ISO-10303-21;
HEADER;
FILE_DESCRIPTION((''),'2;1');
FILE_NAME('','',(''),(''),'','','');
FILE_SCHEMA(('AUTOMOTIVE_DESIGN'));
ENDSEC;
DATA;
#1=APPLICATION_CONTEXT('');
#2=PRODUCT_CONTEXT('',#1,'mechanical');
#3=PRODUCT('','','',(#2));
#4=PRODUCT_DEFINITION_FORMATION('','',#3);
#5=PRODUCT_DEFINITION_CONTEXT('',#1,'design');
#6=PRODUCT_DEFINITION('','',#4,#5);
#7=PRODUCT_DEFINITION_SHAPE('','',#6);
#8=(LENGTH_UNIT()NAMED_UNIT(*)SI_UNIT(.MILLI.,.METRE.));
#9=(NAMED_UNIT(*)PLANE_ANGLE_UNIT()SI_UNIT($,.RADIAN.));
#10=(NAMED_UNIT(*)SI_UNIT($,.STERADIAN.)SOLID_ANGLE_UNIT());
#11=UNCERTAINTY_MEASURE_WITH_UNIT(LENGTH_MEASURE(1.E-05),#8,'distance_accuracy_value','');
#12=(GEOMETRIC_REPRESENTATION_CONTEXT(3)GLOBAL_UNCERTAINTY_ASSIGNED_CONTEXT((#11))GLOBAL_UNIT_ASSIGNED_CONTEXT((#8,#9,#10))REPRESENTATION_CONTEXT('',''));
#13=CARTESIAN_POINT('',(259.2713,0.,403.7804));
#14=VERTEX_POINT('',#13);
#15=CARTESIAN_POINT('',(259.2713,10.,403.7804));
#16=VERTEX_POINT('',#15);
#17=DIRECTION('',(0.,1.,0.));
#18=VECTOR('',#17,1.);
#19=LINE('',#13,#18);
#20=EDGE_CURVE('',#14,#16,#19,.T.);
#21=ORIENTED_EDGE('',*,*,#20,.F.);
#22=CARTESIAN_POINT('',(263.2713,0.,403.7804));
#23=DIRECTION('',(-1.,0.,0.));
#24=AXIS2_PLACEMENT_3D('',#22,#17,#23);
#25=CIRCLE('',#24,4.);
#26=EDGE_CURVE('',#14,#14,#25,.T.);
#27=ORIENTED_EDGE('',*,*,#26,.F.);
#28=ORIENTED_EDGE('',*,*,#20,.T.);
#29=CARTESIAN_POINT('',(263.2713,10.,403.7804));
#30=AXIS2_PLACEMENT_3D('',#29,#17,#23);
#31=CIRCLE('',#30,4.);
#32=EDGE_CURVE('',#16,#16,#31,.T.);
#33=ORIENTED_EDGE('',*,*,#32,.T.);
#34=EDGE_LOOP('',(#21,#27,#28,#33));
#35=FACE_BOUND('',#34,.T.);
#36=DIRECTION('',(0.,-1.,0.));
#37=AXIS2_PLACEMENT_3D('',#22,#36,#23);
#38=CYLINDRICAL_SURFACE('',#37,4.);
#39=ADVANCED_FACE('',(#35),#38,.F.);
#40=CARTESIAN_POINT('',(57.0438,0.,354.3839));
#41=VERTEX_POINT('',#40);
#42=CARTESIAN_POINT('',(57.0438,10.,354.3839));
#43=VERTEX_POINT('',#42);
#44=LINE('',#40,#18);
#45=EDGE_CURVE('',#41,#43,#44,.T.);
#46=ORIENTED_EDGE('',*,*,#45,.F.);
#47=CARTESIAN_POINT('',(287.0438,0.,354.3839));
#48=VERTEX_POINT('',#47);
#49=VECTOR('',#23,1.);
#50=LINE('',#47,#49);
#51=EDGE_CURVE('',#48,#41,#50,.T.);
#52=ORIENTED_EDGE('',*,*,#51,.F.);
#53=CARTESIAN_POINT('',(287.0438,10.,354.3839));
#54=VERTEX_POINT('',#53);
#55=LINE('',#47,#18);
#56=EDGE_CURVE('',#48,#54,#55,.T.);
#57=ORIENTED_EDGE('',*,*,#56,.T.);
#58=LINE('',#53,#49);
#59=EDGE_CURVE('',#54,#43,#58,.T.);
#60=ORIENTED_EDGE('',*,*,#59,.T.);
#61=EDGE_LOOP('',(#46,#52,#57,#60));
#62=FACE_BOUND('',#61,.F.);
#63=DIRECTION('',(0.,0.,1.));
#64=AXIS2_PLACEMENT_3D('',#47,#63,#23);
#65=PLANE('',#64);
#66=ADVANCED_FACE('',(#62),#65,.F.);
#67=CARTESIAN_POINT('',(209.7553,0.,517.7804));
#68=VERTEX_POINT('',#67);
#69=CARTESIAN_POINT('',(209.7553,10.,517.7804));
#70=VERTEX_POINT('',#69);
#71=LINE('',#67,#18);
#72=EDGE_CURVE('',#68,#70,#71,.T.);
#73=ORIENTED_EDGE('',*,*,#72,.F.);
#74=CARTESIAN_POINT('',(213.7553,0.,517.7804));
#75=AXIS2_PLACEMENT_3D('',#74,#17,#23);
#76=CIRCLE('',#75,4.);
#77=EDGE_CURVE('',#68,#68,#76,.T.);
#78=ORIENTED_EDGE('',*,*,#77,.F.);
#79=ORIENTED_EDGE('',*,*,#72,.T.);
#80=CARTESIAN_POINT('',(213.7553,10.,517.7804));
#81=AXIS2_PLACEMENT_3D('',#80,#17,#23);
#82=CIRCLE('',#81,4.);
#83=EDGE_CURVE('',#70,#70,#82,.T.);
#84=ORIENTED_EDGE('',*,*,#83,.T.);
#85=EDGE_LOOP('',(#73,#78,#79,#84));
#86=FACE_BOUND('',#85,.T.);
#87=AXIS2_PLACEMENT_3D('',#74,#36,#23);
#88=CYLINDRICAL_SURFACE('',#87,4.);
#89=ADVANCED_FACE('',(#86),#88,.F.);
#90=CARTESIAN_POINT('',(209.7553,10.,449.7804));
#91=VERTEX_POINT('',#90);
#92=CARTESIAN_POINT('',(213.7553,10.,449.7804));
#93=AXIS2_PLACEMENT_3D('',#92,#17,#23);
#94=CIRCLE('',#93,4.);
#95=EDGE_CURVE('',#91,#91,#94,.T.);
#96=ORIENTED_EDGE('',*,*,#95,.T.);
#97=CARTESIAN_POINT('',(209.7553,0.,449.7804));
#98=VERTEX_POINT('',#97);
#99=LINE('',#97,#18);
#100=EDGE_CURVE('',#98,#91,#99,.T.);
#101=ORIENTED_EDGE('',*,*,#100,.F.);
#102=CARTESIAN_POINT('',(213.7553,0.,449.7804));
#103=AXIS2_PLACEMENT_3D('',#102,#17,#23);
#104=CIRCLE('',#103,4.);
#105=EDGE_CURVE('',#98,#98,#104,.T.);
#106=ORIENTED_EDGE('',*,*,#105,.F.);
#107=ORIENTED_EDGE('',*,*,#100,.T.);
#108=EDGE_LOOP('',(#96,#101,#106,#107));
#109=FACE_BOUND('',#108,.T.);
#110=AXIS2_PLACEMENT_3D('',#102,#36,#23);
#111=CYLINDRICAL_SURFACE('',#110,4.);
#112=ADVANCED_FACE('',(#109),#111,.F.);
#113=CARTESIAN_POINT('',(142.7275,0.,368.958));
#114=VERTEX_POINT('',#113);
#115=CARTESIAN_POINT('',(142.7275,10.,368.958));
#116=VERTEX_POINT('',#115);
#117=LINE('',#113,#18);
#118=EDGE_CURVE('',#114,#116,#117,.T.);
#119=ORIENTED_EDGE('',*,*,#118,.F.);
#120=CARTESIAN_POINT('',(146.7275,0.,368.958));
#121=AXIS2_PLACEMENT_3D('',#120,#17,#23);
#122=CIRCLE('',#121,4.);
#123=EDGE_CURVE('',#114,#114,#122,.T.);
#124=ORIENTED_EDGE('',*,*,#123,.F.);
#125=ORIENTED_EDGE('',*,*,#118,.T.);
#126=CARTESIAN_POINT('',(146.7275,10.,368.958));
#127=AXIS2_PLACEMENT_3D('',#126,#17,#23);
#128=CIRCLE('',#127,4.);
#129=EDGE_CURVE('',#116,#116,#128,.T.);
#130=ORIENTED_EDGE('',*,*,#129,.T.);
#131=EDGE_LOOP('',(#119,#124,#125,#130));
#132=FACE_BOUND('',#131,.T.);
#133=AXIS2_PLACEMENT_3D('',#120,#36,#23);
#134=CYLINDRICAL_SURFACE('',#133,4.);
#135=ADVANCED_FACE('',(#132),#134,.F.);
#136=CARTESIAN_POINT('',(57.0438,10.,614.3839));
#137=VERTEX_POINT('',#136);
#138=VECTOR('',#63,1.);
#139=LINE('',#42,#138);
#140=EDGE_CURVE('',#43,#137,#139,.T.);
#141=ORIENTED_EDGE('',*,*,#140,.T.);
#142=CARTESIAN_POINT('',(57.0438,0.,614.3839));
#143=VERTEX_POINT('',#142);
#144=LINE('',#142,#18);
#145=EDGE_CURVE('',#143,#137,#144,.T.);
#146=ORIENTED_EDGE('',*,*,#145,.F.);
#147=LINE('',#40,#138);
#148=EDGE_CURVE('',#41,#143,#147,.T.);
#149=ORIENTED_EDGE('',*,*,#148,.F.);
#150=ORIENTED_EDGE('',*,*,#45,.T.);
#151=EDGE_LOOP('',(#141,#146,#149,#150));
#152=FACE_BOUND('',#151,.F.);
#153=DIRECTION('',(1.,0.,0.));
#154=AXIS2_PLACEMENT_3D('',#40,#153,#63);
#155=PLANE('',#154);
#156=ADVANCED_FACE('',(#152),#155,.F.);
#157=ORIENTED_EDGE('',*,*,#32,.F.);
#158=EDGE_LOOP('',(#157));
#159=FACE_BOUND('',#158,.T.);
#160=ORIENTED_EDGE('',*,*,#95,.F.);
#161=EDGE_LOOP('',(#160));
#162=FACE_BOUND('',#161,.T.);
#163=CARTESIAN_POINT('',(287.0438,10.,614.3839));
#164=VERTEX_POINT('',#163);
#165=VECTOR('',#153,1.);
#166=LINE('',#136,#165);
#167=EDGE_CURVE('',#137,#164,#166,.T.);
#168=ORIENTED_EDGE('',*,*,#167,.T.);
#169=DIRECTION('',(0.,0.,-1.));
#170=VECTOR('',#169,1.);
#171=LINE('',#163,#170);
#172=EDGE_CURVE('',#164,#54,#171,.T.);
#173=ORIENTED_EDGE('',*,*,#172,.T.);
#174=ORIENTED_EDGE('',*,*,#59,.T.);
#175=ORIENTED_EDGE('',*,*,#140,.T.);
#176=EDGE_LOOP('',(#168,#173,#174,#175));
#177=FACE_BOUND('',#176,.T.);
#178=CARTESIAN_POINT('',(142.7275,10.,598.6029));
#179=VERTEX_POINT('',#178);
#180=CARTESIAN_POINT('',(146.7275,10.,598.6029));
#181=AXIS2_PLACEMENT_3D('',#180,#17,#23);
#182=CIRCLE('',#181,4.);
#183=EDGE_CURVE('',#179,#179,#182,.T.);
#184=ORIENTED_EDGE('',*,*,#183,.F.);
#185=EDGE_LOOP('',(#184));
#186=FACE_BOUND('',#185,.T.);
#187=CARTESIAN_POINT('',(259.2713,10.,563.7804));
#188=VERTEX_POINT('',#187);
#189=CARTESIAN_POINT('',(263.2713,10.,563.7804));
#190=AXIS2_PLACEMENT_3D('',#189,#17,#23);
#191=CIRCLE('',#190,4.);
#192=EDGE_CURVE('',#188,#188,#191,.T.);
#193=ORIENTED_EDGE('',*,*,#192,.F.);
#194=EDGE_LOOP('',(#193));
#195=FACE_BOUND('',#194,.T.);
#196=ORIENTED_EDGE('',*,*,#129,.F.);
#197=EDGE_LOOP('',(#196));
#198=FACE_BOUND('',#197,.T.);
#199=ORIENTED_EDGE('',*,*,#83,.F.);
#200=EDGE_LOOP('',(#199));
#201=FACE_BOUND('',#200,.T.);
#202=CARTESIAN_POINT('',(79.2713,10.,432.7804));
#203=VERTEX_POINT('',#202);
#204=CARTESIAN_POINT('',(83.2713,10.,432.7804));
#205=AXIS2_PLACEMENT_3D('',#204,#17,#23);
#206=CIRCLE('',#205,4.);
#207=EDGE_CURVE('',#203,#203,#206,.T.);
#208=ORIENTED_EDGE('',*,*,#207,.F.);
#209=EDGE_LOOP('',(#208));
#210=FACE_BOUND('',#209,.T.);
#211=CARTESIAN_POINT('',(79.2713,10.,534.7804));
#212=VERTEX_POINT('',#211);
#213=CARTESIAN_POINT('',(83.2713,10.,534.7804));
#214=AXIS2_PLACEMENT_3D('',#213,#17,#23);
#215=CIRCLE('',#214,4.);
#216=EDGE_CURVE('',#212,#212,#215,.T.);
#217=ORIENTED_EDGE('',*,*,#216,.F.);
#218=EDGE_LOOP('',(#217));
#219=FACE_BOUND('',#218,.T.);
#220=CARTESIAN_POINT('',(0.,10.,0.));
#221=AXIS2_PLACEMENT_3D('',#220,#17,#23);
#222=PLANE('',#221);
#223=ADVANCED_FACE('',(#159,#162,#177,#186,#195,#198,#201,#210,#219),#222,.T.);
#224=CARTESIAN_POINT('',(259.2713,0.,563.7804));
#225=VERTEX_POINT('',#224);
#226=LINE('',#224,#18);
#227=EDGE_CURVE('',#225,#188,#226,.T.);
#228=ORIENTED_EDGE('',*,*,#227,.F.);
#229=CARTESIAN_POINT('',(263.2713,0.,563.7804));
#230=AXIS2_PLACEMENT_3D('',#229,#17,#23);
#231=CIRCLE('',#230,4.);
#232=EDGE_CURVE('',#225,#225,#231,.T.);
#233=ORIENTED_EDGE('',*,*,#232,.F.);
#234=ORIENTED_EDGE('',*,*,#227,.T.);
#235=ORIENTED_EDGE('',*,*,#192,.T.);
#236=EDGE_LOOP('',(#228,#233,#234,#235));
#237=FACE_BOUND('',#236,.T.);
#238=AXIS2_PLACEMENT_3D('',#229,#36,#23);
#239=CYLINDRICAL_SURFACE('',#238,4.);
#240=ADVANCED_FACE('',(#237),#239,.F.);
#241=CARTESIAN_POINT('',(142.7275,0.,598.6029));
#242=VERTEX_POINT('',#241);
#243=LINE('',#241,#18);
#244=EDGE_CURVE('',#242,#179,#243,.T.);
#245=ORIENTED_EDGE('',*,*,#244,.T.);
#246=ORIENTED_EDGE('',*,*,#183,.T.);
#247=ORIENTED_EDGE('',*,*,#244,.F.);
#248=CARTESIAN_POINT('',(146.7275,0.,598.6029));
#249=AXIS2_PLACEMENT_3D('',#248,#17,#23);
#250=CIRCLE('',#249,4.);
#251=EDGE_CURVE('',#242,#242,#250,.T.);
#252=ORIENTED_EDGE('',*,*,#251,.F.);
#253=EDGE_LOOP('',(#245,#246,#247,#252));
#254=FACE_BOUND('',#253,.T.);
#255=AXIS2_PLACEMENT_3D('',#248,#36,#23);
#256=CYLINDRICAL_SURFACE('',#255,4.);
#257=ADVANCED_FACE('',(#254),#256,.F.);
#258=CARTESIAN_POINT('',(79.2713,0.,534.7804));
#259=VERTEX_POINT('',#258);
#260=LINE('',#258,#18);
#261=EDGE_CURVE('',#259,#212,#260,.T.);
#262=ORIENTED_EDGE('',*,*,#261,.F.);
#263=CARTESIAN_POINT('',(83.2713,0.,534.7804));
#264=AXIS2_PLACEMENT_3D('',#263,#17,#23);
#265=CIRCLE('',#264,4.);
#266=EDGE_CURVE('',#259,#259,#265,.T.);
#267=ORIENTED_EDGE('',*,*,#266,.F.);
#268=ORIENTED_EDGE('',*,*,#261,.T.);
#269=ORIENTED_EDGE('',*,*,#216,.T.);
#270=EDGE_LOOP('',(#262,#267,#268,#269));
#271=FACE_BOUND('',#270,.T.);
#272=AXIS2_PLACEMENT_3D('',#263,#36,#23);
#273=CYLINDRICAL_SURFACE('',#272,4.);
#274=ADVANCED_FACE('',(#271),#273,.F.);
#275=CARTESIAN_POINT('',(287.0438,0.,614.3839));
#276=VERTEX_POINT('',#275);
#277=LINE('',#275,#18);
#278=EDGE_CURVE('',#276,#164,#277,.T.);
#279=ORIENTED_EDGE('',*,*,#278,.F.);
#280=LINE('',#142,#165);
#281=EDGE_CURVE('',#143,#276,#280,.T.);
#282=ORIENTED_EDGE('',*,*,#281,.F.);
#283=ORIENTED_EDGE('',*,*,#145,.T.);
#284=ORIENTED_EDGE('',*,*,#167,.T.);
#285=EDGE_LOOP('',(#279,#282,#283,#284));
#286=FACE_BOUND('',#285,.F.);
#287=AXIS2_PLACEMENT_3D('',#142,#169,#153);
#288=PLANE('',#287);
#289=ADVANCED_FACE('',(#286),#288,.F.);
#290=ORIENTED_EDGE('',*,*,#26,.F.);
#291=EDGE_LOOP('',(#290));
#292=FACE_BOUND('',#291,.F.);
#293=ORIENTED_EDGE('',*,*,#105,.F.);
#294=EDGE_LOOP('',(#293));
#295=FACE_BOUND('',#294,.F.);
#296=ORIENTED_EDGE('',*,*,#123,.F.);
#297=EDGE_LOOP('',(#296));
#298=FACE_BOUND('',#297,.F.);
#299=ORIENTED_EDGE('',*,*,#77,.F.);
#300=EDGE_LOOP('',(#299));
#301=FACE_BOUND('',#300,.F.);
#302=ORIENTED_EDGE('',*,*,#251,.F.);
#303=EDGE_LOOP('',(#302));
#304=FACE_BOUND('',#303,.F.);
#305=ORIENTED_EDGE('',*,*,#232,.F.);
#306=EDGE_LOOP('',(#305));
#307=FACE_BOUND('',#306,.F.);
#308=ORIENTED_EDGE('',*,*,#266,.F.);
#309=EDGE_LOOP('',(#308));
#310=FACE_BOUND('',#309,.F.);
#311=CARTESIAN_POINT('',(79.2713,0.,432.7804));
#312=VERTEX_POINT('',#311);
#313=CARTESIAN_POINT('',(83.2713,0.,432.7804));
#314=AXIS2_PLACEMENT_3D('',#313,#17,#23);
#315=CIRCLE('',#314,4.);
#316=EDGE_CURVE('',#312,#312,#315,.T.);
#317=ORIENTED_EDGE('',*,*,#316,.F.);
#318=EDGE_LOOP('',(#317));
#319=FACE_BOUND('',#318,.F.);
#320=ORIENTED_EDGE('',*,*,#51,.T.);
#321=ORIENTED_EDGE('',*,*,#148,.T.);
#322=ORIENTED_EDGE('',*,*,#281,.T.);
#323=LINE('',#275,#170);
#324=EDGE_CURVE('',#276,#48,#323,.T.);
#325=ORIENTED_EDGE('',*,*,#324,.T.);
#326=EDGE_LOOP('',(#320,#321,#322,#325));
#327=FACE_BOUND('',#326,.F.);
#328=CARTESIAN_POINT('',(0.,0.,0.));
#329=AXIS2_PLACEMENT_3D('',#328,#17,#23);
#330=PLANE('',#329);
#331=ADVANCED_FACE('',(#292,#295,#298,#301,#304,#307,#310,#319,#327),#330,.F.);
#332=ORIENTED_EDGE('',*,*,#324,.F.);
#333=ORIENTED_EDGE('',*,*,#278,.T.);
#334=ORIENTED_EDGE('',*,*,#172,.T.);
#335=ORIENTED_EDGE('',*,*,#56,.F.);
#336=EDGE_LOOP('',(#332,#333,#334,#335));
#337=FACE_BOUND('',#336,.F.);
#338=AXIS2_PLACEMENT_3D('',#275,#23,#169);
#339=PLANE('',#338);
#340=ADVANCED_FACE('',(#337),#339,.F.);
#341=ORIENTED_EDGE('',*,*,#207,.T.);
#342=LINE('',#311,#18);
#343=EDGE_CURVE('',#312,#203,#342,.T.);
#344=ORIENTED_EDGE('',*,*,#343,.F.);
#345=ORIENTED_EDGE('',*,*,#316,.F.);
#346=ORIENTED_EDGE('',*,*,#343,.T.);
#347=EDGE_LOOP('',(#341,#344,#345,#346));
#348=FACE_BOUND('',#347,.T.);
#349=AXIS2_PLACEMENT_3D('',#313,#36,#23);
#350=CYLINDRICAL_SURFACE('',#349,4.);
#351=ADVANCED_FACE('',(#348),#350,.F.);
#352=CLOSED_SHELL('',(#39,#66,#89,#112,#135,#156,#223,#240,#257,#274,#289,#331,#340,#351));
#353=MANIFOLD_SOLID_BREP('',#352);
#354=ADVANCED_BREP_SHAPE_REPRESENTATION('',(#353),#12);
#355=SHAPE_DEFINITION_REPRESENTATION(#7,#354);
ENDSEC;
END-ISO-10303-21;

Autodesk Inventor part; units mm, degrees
ref_plane "YZ Plane" through (0, 0, 0) normal (1, 0, 0) x (0, 1, 0)
ref_plane "XZ Plane" through (0, 0, 0) normal (0, 1, 0) x (-1, 0, 0)
ref_plane "XY Plane" through (0, 0, 0) normal (0, 0, 1) x (1, 0, 0)
sketch "Boceto1" plane through (0, 0, 0) normal (0, 1, 0) x (-1, 0, 0)
  line L0 (-57.0438, 614.3839) -> (-287.0438, 614.3839)
  line L1 (-287.0438, 614.3839) -> (-287.0438, 354.3839)
  line L2 (-287.0438, 354.3839) -> (-57.0438, 354.3839)
  line L3 (-57.0438, 354.3839) -> (-57.0438, 614.3839)
  circle A0 centre (-213.7553, 449.7804) radius 4 projected
  circle A1 centre (-146.7275, 368.958) radius 4 projected
  circle A2 centre (-83.2713, 432.7804) radius 4 projected
  circle A3 centre (-83.2713, 534.7804) radius 4 projected
  circle A4 centre (-146.7275, 598.6029) radius 4 projected
  circle A5 centre (-213.7553, 517.7804) radius 4 projected
  circle A6 centre (-213.7553, 449.7804) radius 4 projected
  circle A7 centre (-263.2713, 403.7804) radius 4 projected
  circle A8 centre (-263.2713, 563.7804) radius 4 projected
  circle A9 centre (-146.7275, 598.6029) radius 4
  circle A10 centre (-83.2713, 534.7804) radius 4
  circle A11 centre (-83.2713, 432.7804) radius 4
  circle A12 centre (-146.7275, 368.958) radius 4
  circle A13 centre (-213.7553, 449.7804) radius 4
  circle A14 centre (-213.7553, 517.7804) radius 4
  circle A15 centre (-263.2713, 563.7804) radius 4
  circle A16 centre (-263.2713, 403.7804) radius 4
  point P0 (0, 0)
  dimension "d0" = 230
  dimension "d1" = 260
extrude "Extrusión1" add sketch "Boceto1" along normal blind 10
properties part number "TablaBase"
